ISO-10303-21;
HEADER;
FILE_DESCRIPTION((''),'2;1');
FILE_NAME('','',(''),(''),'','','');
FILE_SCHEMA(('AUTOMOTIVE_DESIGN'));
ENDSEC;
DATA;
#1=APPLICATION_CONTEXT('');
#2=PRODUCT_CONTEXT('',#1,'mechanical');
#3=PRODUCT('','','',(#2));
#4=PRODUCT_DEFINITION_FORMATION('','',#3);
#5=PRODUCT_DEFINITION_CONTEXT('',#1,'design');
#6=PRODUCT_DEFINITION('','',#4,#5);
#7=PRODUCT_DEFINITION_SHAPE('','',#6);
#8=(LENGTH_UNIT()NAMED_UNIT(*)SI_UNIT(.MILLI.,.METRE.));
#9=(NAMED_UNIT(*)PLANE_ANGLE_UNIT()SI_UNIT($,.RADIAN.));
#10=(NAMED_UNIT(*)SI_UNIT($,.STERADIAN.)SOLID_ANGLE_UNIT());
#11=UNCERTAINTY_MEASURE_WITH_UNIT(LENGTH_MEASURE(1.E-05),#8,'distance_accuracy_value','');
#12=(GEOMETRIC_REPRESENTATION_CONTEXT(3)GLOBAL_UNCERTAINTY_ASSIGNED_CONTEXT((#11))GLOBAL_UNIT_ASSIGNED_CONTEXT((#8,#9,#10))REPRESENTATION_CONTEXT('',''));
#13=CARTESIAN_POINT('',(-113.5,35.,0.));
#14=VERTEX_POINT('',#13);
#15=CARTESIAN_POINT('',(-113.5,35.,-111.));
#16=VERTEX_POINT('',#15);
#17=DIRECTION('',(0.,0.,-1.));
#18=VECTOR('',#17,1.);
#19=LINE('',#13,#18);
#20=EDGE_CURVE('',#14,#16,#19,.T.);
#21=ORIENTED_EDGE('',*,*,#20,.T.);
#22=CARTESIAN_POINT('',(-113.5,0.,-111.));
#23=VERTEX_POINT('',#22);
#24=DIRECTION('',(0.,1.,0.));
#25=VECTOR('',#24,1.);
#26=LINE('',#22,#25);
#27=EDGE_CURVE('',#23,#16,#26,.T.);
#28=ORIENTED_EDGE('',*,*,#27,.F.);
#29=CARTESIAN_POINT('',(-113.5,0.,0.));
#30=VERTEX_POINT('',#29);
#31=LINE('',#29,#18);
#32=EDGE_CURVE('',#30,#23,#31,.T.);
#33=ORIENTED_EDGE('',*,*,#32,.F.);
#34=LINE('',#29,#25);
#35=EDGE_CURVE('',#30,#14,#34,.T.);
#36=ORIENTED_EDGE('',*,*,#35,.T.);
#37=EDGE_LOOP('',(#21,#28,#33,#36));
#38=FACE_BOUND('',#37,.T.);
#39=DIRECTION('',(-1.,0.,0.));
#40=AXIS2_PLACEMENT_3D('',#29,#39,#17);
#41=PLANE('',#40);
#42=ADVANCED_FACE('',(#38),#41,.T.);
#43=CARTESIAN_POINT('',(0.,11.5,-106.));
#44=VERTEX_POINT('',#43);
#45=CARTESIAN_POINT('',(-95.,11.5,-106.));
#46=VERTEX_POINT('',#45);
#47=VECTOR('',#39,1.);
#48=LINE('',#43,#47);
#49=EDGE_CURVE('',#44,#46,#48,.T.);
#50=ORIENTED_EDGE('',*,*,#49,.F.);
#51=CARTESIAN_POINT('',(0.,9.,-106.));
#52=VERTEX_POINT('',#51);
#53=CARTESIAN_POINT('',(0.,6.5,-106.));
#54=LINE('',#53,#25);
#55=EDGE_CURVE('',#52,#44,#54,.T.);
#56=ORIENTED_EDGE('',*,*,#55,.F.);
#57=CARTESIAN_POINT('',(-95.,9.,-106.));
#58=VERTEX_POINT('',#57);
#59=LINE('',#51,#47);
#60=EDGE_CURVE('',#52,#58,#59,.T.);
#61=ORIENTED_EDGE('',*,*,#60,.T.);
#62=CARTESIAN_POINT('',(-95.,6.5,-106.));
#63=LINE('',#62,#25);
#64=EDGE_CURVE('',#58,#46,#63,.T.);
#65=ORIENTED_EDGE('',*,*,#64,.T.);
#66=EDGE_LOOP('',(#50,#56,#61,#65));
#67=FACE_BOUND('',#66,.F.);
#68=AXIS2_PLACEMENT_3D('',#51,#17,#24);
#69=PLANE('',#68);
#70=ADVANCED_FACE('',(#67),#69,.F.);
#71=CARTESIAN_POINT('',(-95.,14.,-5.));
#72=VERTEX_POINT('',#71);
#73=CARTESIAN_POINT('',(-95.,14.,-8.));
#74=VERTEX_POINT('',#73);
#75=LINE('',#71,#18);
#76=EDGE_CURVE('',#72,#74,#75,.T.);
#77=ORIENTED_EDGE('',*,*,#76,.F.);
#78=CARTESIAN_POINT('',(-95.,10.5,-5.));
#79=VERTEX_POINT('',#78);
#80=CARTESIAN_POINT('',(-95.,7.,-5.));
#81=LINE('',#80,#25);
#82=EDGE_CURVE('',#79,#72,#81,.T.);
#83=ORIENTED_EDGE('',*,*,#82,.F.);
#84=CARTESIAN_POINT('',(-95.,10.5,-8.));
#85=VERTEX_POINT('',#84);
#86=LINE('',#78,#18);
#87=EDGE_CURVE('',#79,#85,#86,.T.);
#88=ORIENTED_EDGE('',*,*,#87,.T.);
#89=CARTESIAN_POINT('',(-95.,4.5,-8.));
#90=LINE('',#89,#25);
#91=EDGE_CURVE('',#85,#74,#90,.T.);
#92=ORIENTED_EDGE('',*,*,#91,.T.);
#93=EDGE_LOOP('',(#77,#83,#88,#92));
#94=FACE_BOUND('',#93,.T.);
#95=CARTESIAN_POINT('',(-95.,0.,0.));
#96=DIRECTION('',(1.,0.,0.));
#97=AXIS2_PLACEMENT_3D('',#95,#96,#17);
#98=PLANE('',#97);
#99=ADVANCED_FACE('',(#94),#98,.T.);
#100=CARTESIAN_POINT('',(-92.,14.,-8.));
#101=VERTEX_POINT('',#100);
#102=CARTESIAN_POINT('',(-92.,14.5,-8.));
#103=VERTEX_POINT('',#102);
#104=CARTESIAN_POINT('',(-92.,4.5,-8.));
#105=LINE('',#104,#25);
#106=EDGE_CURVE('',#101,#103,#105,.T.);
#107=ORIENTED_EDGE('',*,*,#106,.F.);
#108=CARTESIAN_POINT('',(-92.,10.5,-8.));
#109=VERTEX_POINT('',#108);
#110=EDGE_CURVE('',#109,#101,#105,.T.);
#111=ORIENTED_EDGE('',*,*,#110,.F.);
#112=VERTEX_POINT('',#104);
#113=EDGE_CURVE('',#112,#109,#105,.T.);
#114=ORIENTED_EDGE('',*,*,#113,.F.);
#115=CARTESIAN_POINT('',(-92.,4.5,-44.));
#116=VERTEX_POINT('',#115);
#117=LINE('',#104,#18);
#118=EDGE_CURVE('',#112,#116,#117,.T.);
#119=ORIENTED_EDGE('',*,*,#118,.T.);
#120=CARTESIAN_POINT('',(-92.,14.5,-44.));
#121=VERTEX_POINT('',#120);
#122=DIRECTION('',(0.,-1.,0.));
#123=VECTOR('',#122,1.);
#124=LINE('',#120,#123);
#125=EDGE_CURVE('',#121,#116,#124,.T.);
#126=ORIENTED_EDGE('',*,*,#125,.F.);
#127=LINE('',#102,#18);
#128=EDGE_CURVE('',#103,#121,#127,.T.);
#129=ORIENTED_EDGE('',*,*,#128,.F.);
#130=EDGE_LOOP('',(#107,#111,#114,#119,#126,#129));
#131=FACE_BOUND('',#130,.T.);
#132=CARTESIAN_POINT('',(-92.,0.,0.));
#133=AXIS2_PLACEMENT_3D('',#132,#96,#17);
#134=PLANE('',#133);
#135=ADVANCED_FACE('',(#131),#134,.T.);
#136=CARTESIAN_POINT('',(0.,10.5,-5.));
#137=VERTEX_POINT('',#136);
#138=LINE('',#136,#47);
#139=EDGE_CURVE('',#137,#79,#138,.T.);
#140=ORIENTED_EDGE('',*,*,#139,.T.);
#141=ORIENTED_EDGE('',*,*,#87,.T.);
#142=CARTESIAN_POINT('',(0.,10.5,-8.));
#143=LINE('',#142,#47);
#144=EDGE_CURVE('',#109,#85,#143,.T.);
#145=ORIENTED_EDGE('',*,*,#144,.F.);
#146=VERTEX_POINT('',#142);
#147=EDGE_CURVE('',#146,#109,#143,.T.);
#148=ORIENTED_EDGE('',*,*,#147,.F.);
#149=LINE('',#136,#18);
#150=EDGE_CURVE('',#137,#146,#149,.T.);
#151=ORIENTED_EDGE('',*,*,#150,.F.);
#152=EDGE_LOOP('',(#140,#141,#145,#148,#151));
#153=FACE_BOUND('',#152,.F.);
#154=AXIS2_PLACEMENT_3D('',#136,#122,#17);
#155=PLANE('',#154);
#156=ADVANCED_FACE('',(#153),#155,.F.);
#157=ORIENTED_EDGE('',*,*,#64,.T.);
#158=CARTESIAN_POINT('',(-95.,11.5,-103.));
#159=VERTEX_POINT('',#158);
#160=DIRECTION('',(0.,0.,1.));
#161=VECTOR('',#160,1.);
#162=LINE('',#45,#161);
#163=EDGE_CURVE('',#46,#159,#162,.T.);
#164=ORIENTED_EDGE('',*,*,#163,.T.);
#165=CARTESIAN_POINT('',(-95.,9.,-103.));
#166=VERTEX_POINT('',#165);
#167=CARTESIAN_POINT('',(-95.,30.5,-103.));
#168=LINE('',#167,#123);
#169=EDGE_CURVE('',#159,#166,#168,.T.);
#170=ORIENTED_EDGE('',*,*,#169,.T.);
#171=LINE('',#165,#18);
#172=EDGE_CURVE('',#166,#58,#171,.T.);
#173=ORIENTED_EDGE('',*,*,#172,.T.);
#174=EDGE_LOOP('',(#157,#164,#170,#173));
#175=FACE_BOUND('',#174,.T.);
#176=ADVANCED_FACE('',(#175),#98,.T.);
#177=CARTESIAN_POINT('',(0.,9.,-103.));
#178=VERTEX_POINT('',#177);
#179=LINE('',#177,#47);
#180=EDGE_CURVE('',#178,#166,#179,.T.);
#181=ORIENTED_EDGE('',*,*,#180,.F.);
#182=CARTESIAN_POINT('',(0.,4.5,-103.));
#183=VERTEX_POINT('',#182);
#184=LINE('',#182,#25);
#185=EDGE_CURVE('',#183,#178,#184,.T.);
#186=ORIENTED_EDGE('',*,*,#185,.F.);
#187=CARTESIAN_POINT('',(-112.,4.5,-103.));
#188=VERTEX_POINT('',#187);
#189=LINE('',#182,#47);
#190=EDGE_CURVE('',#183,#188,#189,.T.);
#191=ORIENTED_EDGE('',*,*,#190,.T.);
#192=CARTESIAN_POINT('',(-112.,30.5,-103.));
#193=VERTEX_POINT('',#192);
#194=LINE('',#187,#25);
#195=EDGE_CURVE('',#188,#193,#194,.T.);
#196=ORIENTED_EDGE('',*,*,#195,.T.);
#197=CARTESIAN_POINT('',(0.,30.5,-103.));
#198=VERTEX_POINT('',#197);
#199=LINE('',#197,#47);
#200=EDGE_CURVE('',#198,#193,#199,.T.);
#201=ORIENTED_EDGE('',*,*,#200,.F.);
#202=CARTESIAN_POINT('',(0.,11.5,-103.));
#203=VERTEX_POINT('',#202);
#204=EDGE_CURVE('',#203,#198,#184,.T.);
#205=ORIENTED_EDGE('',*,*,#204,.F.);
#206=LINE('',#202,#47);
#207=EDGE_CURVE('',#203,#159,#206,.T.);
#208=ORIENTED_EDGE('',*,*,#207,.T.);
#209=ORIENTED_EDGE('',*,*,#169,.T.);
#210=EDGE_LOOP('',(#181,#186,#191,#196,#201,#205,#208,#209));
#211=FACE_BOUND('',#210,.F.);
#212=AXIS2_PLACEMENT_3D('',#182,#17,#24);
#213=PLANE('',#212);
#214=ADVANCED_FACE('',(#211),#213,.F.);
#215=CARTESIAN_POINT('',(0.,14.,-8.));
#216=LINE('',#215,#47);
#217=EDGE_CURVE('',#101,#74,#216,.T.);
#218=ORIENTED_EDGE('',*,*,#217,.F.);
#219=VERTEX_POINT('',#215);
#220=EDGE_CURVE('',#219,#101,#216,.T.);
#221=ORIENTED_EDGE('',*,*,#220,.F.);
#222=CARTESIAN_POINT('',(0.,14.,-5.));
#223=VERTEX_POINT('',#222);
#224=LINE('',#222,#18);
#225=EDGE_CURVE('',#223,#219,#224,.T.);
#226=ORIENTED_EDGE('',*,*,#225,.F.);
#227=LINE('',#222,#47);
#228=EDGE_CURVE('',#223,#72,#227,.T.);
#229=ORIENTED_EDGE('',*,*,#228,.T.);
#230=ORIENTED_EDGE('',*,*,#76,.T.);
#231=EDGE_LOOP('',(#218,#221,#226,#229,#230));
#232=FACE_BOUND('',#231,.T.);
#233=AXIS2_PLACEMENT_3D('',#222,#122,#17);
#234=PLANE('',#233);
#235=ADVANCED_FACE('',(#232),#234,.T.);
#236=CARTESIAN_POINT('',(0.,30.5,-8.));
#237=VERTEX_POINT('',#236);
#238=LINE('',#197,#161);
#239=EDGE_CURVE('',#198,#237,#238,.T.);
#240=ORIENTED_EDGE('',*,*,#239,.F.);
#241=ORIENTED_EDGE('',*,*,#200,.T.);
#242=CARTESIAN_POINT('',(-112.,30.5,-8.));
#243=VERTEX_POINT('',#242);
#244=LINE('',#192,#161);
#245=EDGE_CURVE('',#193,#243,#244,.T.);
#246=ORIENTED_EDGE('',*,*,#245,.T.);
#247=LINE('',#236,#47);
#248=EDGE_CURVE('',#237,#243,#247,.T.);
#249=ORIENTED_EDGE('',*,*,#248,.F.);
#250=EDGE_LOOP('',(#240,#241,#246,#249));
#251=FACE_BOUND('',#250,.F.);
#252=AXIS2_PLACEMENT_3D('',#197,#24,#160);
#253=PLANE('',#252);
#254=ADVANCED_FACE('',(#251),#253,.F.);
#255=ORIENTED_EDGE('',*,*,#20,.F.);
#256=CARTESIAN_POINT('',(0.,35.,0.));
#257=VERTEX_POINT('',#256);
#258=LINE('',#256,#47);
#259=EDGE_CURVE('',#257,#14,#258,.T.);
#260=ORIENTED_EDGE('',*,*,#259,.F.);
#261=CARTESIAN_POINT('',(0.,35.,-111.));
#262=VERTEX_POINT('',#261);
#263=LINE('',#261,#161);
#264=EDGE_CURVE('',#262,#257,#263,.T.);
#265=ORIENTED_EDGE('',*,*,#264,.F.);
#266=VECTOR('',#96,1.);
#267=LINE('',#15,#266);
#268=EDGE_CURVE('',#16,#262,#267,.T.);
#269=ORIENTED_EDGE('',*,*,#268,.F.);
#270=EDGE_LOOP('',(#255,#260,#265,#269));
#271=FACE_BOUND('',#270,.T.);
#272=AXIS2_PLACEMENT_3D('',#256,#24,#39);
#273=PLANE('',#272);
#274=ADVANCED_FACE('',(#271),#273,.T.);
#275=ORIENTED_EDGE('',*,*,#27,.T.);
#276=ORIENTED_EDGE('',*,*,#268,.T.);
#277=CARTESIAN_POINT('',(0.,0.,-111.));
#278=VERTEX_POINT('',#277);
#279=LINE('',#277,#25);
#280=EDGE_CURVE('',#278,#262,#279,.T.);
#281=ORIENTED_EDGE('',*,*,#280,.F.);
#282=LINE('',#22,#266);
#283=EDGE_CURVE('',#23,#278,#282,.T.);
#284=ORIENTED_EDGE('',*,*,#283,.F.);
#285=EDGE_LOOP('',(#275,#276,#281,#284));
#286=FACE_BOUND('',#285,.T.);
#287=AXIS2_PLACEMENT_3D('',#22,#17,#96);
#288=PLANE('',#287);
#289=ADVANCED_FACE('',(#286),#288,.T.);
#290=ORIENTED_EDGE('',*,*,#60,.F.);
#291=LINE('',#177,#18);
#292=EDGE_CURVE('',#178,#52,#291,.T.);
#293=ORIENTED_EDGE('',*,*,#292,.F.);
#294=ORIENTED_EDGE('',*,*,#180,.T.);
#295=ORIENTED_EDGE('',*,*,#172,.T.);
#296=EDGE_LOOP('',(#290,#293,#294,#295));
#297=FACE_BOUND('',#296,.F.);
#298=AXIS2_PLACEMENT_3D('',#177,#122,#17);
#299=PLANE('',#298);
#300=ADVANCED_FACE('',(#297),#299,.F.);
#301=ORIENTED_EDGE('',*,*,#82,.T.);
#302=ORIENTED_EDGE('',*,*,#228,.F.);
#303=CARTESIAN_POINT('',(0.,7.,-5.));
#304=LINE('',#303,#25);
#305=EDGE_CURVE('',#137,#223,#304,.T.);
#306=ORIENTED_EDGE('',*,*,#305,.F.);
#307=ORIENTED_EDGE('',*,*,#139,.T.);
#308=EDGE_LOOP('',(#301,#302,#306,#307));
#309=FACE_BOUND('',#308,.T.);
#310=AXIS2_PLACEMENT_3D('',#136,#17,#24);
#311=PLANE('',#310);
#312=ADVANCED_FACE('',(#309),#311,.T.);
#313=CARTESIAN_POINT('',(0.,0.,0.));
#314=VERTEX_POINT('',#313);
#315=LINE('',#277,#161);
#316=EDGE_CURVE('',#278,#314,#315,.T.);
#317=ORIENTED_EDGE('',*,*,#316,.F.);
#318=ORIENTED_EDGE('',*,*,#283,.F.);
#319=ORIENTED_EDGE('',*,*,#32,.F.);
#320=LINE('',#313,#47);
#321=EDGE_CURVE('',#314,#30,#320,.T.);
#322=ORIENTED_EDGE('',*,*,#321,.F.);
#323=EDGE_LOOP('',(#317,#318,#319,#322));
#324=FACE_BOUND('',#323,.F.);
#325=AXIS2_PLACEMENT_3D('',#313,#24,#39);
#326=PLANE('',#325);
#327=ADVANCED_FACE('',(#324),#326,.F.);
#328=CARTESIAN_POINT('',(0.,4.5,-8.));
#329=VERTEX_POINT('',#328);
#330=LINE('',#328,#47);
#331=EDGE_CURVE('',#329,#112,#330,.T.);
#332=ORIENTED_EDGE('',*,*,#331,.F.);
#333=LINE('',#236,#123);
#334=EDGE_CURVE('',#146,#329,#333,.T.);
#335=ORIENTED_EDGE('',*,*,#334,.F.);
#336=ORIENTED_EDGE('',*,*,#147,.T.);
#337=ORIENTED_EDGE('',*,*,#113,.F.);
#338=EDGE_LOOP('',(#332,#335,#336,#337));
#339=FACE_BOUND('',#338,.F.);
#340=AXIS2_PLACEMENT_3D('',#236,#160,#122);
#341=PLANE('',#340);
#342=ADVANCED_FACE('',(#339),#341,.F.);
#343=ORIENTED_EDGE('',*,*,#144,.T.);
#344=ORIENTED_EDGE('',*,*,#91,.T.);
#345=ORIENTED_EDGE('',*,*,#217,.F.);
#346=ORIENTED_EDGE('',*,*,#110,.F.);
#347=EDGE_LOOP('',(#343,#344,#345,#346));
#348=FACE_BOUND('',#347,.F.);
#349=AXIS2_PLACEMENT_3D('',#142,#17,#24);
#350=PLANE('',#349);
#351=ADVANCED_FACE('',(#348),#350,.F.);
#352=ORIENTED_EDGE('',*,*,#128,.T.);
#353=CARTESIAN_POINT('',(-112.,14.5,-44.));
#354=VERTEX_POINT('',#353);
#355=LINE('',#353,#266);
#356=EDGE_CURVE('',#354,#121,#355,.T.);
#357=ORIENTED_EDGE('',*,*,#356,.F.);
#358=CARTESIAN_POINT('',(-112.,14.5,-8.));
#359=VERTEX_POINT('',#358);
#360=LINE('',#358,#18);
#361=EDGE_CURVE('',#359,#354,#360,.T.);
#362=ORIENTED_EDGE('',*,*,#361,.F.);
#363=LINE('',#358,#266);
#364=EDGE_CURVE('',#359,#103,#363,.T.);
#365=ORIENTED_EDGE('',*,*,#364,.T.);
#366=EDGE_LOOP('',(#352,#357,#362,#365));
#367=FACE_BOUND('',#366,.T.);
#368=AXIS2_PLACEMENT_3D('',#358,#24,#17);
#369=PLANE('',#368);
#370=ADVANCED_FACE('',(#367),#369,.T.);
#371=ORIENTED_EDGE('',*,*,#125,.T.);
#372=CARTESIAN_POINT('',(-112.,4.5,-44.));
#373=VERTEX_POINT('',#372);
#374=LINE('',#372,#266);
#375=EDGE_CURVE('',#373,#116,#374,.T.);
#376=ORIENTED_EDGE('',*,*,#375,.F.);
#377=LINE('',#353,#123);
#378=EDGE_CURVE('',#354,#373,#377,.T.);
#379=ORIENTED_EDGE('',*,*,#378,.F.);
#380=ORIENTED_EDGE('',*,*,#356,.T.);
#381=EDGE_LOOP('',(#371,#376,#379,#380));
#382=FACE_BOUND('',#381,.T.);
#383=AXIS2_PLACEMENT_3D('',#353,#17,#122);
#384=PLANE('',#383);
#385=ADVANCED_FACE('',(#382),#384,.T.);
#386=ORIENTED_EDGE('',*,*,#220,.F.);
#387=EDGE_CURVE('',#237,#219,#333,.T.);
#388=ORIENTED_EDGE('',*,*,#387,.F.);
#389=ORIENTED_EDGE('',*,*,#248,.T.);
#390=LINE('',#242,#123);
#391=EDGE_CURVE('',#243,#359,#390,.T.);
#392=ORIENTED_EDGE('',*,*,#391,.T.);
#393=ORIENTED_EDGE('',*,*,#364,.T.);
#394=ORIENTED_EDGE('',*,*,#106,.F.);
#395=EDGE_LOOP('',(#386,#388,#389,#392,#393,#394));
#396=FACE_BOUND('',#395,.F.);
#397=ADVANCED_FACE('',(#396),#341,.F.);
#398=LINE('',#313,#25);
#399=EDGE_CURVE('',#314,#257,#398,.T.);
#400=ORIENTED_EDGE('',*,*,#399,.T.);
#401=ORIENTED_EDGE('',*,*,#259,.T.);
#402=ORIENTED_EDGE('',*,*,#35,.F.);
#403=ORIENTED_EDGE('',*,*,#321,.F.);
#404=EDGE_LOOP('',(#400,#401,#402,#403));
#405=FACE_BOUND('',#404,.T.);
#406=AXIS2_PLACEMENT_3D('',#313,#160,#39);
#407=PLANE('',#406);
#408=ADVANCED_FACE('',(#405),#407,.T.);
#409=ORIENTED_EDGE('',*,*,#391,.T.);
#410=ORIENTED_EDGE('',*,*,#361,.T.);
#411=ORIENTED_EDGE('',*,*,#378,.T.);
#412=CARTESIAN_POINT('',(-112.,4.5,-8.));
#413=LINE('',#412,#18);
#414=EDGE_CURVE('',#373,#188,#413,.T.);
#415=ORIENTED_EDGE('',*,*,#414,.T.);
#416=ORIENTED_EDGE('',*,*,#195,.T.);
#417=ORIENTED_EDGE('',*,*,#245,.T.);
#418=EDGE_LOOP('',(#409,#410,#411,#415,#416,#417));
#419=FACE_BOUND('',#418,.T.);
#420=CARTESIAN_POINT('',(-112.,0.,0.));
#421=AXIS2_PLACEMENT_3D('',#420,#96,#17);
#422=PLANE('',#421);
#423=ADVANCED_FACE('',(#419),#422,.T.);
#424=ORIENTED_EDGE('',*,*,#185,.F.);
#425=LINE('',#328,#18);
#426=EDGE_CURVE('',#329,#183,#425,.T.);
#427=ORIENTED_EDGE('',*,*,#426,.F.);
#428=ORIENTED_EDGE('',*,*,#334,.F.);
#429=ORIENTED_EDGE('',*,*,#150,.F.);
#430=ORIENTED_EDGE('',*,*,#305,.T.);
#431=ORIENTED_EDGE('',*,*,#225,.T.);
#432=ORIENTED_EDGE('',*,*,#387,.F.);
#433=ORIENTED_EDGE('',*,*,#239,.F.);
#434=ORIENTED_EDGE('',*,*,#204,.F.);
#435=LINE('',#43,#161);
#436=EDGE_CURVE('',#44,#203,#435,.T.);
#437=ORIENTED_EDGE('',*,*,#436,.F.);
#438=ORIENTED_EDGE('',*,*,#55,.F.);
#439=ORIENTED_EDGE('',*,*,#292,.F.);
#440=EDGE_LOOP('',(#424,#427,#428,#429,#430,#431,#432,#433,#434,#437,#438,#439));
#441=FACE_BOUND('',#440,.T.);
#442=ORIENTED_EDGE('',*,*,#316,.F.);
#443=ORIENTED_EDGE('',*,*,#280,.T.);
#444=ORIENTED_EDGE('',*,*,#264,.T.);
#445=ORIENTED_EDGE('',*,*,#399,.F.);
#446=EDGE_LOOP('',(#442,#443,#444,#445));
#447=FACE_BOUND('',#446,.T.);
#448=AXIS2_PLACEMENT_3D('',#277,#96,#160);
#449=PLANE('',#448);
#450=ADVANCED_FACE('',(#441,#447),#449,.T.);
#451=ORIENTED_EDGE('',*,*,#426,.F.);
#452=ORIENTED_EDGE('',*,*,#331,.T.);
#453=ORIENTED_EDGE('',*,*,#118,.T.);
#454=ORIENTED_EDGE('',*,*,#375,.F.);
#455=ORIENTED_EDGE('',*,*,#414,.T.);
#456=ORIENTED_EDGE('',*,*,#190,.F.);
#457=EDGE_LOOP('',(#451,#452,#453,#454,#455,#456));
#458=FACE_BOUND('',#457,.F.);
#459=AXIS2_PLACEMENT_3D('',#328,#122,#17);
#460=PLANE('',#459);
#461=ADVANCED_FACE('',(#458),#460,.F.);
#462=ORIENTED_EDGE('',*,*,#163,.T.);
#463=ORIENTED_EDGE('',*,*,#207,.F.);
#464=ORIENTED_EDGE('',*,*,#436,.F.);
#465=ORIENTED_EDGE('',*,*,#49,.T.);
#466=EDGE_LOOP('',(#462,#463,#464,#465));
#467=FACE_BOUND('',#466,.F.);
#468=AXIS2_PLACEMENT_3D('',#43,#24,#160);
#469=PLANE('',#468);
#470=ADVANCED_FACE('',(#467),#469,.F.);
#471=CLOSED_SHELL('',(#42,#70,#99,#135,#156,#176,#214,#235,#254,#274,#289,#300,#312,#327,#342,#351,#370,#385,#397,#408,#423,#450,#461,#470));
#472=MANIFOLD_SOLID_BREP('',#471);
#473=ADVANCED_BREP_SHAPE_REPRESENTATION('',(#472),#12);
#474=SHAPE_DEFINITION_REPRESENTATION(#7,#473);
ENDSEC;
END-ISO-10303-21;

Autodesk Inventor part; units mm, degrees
ref_plane "YZ Plane" through (0, 0, 0) normal (1, 0, 0) x (0, 1, 0)
ref_plane "XZ Plane" through (0, 0, 0) normal (0, 1, 0) x (-1, 0, 0)
ref_plane "XY Plane" through (0, 0, 0) normal (0, 0, 1) x (1, 0, 0)
sketch "Sketch1" plane through (0, 0, 0) normal (0, 1, 0) x (-1, 0, 0)
  line L0 (0, 0) -> (113.5, 0)
  line L1 (113.5, 0) -> (113.5, -111)
  line L2 (113.5, -111) -> (0, -111)
  line L3 (0, -111) -> (0, 0)
  dimension "d0" = 113.5
  dimension "d1" = 111
extrude "Extrusion1" add sketch "Sketch1" along normal blind 35
sketch "Sketch2" plane through (0, 0, 0) normal (1, 0, 0) x (0, 0, -1)
  line L0 (0, 0) -> (0, 4.5)
  line L1 (0, 4.5) -> (8, 4.5)
  line L2 (8, 4.5) -> (103, 4.5)
  line L3 (103, 4.5) -> (103, 30.5)
  line L4 (103, 30.5) -> (8, 30.5)
  line L5 (8, 30.5) -> (8, 4.5)
  dimension "d4" = 4.5
  dimension "d5" = 8
  dimension "d6" = 95
  dimension "d7" = 26
extrude "Extrusion2" cut sketch "Sketch2" against normal blind 112
sketch "Sketch3" plane through (-112, 0, 0) normal (1, 0, 0) x (0, 0, -1)
  line L0 (8, 4.5) -> (8, 30.5) projected
  line L1 (8, 4.5) -> (44, 4.5)
  line L2 (103, 4.5) -> (8, 4.5) projected
  line L3 (8, 4.5) -> (8, 14.5)
  line L4 (8, 14.5) -> (44, 14.5)
  line L5 (44, 14.5) -> (44, 4.5)
  point P0 (0, 0)
  dimension "d10" = 36
  dimension "d11" = 10
extrude "Extrusion3" add sketch "Sketch3" along normal blind 20
sketch "Sketch4" plane through (0, 0, 0) normal (1, 0, 0) x (0, 0, -1)
  line L0 (0, 0) -> (0, 7)
  line L1 (0, 7) -> (5, 7)
  line L2 (5, 7) -> (5, 14)
  line L3 (5, 14) -> (8, 14)
  line L4 (8, 4.5) -> (8, 30.5) projected
  line L5 (5, 7) -> (8, 7)
  line L6 (8, 14) -> (8, 7)
  line L7 (111, 0) -> (111, 6.5)
  line L8 (111, 6.5) -> (106, 6.5)
  line L9 (106, 6.5) -> (106, 11.5)
  line L10 (103, 30.5) -> (103, 4.5) projected
  line L11 (106, 6.5) -> (103, 6.5)
  line L12 (106, 11.5) -> (103, 11.5)
  line L13 (103, 6.5) -> (103, 11.5)
  line L14 (103, 6.5) -> (103, 9)
  line L15 (103, 30.5) -> (103, 4.5) projected
  line L16 (103, 9) -> (106, 9)
  line L17 (8, 7) -> (8, 10.5)
  line L18 (5, 10.5) -> (8, 10.5)
  dimension "d14" = 7
  dimension "d15" = 5
  dimension "d16" = 7
  dimension "d17" = 6.5
  dimension "d18" = 5
  dimension "d19" = 5
extrude "Extrusion4" cut sketch "Sketch4" against normal blind 95 contours L2 L3 L4 L18 | L16 L10 L12 L9
properties part number "Plastic_Housing" material "Polyethylene, High Density"
